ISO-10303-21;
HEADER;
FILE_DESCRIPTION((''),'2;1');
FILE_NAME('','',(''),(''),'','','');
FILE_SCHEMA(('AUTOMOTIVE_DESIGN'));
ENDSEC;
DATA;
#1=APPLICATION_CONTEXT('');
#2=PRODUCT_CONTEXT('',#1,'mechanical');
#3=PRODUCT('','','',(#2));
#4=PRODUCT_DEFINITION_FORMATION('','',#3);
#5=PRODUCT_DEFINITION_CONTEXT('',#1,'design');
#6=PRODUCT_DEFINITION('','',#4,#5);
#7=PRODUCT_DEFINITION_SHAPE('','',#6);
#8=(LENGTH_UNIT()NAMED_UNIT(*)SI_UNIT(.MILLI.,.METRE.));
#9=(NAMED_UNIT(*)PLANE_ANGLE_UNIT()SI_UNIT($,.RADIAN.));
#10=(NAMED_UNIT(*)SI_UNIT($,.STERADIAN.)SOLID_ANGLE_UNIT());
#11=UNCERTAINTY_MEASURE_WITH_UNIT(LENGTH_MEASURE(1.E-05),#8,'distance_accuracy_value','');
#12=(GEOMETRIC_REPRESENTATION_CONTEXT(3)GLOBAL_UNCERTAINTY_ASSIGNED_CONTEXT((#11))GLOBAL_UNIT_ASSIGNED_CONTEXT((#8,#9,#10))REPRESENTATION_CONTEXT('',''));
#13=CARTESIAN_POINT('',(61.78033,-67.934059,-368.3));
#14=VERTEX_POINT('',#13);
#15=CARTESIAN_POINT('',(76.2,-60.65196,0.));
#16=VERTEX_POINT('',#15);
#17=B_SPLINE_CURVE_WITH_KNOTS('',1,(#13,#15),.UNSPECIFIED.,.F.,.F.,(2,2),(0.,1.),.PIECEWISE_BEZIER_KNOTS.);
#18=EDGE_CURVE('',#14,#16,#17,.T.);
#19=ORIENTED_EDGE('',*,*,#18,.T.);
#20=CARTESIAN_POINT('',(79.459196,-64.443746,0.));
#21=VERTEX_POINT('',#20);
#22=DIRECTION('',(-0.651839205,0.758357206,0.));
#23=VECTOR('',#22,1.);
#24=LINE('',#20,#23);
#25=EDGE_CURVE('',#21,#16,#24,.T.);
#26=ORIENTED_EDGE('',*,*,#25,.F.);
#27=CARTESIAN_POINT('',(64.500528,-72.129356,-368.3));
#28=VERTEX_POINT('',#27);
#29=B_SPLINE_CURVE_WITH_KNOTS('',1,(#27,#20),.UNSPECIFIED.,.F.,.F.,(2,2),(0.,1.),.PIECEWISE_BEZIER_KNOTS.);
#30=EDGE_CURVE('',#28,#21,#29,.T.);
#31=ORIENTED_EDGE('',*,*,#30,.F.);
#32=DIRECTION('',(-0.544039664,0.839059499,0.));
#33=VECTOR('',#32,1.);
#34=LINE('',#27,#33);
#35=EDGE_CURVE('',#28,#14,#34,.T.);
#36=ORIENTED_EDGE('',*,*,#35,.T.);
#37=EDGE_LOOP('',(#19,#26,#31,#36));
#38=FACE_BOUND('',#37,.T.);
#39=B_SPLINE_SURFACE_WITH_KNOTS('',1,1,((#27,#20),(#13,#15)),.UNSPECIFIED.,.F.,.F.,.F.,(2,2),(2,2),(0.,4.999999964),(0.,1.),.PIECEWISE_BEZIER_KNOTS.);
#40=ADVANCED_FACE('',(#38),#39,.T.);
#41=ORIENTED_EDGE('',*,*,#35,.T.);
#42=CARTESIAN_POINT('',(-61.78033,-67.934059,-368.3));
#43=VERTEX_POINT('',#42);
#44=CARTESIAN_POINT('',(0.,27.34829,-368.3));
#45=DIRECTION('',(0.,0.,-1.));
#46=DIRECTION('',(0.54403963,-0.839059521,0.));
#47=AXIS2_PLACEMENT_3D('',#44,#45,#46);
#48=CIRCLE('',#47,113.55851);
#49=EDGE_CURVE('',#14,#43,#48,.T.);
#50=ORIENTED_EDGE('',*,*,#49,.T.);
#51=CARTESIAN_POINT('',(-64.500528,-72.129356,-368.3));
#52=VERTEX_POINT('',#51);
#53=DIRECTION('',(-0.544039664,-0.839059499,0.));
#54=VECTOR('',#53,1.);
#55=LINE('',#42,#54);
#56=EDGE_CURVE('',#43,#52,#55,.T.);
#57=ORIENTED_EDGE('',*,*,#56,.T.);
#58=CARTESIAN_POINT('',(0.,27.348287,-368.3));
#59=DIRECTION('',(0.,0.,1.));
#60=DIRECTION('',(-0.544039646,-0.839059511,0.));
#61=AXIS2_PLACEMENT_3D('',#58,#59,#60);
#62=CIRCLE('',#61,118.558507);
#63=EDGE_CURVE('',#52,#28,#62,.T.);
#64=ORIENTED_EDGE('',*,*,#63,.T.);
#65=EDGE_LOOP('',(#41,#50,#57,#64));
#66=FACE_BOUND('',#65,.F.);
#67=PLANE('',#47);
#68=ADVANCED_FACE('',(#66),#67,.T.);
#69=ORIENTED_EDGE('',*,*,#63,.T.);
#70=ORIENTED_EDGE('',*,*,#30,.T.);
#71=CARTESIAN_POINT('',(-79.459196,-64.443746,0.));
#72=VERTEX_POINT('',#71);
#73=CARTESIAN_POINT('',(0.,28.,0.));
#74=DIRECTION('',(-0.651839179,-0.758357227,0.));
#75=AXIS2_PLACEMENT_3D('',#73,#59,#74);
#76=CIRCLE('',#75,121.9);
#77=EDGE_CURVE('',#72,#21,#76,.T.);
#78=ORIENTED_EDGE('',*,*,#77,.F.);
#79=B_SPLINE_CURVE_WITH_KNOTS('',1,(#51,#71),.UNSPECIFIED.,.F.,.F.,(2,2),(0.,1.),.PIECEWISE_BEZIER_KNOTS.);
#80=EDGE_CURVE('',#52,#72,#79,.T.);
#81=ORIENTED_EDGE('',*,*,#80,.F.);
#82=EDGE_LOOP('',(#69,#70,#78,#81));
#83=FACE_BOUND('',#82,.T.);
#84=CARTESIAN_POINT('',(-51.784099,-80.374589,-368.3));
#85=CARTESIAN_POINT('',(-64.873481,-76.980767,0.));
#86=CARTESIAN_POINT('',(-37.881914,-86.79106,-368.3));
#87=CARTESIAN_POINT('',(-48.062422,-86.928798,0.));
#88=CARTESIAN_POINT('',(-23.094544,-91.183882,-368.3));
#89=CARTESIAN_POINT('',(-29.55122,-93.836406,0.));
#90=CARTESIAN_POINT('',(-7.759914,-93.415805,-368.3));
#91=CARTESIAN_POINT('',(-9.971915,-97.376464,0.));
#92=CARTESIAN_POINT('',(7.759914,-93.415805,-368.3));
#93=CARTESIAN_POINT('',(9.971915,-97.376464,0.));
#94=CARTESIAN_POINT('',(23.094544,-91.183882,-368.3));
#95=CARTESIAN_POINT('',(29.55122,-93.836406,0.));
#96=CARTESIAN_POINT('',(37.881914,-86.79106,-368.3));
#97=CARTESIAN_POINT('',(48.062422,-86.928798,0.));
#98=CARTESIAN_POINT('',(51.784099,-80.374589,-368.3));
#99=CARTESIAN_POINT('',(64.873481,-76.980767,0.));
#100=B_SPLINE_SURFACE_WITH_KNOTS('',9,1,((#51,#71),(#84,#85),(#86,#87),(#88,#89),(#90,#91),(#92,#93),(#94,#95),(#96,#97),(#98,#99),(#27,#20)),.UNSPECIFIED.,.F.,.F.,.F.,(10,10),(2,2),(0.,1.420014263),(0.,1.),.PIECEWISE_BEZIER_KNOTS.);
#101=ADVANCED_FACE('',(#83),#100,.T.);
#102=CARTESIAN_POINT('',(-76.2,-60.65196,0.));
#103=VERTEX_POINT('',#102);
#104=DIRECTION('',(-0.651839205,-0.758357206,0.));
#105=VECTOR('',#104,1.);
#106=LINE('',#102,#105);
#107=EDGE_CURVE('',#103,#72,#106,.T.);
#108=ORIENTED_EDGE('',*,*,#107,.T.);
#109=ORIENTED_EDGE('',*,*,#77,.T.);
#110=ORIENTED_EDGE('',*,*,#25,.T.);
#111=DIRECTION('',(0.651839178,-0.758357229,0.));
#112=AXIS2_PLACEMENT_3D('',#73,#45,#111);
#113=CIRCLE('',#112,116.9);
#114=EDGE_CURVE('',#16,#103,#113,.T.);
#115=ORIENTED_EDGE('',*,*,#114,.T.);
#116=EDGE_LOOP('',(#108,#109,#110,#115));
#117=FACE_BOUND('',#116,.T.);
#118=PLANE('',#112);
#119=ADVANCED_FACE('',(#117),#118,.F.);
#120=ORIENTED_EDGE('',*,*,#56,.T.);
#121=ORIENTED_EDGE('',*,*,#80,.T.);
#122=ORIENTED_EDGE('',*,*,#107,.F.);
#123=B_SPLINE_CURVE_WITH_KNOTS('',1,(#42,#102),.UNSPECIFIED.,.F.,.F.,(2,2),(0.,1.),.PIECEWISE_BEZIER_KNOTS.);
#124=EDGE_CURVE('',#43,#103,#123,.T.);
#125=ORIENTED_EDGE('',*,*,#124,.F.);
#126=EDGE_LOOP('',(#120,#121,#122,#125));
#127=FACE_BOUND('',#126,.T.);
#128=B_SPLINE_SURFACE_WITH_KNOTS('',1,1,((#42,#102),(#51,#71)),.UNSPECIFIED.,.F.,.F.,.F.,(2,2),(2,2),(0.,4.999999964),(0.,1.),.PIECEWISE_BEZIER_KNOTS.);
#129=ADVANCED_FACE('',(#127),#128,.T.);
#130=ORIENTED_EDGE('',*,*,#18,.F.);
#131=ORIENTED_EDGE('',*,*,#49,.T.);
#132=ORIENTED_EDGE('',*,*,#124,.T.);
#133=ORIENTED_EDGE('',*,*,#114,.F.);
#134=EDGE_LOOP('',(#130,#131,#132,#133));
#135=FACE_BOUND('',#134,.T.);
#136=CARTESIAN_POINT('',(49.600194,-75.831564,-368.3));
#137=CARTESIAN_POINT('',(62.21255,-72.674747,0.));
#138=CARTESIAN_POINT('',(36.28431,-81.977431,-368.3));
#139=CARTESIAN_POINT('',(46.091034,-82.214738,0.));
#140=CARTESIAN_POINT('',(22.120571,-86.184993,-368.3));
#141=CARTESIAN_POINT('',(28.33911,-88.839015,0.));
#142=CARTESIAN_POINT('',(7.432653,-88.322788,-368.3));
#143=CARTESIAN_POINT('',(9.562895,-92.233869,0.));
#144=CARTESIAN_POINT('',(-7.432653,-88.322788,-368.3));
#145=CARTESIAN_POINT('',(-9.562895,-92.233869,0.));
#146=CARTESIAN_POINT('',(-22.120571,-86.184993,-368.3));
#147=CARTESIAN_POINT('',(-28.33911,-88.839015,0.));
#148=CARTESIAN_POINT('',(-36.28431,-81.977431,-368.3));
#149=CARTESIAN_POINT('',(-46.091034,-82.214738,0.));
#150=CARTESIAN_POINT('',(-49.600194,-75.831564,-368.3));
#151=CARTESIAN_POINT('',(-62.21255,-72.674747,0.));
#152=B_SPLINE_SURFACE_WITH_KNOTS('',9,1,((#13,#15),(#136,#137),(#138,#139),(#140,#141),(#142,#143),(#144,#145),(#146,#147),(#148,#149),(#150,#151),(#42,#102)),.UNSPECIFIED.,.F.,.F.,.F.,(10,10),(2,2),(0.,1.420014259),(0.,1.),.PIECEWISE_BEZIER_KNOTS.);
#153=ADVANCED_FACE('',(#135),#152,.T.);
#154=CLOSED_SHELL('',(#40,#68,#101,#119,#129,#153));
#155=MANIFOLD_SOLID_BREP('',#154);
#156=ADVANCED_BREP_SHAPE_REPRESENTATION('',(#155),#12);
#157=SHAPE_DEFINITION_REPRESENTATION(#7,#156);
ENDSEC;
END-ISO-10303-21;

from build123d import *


with BuildPart() as f3:
    # F2 (on offset) → F3 section 0
    with BuildSketch(Plane.XY.offset(-368.3)):
        with BuildLine():
            ThreePointArc((61.78033, -67.934059), (0, -86.21022), (-61.78033, -67.934059))
            Line((-61.78033, -67.934059), (-64.500528, -72.129356))
            ThreePointArc((-64.500528, -72.129356), (0, -91.21022), (64.500528, -72.129356))
            Line((64.500528, -72.129356), (61.78033, -67.934059))
        make_face()
    # F1 (on Top) → F3 section 1
    with BuildSketch(Plane.XY):
        with BuildLine():
            ThreePointArc((76.2, -60.65196), (0, -88.9), (-76.2, -60.65196))
            Line((-76.2, -60.65196), (-79.459196, -64.443746))
            ThreePointArc((-79.459196, -64.443746), (0, -93.9), (79.459196, -64.443746))
            Line((79.459196, -64.443746), (76.2, -60.65196))
        make_face()
    loft()


solid = f3.part
